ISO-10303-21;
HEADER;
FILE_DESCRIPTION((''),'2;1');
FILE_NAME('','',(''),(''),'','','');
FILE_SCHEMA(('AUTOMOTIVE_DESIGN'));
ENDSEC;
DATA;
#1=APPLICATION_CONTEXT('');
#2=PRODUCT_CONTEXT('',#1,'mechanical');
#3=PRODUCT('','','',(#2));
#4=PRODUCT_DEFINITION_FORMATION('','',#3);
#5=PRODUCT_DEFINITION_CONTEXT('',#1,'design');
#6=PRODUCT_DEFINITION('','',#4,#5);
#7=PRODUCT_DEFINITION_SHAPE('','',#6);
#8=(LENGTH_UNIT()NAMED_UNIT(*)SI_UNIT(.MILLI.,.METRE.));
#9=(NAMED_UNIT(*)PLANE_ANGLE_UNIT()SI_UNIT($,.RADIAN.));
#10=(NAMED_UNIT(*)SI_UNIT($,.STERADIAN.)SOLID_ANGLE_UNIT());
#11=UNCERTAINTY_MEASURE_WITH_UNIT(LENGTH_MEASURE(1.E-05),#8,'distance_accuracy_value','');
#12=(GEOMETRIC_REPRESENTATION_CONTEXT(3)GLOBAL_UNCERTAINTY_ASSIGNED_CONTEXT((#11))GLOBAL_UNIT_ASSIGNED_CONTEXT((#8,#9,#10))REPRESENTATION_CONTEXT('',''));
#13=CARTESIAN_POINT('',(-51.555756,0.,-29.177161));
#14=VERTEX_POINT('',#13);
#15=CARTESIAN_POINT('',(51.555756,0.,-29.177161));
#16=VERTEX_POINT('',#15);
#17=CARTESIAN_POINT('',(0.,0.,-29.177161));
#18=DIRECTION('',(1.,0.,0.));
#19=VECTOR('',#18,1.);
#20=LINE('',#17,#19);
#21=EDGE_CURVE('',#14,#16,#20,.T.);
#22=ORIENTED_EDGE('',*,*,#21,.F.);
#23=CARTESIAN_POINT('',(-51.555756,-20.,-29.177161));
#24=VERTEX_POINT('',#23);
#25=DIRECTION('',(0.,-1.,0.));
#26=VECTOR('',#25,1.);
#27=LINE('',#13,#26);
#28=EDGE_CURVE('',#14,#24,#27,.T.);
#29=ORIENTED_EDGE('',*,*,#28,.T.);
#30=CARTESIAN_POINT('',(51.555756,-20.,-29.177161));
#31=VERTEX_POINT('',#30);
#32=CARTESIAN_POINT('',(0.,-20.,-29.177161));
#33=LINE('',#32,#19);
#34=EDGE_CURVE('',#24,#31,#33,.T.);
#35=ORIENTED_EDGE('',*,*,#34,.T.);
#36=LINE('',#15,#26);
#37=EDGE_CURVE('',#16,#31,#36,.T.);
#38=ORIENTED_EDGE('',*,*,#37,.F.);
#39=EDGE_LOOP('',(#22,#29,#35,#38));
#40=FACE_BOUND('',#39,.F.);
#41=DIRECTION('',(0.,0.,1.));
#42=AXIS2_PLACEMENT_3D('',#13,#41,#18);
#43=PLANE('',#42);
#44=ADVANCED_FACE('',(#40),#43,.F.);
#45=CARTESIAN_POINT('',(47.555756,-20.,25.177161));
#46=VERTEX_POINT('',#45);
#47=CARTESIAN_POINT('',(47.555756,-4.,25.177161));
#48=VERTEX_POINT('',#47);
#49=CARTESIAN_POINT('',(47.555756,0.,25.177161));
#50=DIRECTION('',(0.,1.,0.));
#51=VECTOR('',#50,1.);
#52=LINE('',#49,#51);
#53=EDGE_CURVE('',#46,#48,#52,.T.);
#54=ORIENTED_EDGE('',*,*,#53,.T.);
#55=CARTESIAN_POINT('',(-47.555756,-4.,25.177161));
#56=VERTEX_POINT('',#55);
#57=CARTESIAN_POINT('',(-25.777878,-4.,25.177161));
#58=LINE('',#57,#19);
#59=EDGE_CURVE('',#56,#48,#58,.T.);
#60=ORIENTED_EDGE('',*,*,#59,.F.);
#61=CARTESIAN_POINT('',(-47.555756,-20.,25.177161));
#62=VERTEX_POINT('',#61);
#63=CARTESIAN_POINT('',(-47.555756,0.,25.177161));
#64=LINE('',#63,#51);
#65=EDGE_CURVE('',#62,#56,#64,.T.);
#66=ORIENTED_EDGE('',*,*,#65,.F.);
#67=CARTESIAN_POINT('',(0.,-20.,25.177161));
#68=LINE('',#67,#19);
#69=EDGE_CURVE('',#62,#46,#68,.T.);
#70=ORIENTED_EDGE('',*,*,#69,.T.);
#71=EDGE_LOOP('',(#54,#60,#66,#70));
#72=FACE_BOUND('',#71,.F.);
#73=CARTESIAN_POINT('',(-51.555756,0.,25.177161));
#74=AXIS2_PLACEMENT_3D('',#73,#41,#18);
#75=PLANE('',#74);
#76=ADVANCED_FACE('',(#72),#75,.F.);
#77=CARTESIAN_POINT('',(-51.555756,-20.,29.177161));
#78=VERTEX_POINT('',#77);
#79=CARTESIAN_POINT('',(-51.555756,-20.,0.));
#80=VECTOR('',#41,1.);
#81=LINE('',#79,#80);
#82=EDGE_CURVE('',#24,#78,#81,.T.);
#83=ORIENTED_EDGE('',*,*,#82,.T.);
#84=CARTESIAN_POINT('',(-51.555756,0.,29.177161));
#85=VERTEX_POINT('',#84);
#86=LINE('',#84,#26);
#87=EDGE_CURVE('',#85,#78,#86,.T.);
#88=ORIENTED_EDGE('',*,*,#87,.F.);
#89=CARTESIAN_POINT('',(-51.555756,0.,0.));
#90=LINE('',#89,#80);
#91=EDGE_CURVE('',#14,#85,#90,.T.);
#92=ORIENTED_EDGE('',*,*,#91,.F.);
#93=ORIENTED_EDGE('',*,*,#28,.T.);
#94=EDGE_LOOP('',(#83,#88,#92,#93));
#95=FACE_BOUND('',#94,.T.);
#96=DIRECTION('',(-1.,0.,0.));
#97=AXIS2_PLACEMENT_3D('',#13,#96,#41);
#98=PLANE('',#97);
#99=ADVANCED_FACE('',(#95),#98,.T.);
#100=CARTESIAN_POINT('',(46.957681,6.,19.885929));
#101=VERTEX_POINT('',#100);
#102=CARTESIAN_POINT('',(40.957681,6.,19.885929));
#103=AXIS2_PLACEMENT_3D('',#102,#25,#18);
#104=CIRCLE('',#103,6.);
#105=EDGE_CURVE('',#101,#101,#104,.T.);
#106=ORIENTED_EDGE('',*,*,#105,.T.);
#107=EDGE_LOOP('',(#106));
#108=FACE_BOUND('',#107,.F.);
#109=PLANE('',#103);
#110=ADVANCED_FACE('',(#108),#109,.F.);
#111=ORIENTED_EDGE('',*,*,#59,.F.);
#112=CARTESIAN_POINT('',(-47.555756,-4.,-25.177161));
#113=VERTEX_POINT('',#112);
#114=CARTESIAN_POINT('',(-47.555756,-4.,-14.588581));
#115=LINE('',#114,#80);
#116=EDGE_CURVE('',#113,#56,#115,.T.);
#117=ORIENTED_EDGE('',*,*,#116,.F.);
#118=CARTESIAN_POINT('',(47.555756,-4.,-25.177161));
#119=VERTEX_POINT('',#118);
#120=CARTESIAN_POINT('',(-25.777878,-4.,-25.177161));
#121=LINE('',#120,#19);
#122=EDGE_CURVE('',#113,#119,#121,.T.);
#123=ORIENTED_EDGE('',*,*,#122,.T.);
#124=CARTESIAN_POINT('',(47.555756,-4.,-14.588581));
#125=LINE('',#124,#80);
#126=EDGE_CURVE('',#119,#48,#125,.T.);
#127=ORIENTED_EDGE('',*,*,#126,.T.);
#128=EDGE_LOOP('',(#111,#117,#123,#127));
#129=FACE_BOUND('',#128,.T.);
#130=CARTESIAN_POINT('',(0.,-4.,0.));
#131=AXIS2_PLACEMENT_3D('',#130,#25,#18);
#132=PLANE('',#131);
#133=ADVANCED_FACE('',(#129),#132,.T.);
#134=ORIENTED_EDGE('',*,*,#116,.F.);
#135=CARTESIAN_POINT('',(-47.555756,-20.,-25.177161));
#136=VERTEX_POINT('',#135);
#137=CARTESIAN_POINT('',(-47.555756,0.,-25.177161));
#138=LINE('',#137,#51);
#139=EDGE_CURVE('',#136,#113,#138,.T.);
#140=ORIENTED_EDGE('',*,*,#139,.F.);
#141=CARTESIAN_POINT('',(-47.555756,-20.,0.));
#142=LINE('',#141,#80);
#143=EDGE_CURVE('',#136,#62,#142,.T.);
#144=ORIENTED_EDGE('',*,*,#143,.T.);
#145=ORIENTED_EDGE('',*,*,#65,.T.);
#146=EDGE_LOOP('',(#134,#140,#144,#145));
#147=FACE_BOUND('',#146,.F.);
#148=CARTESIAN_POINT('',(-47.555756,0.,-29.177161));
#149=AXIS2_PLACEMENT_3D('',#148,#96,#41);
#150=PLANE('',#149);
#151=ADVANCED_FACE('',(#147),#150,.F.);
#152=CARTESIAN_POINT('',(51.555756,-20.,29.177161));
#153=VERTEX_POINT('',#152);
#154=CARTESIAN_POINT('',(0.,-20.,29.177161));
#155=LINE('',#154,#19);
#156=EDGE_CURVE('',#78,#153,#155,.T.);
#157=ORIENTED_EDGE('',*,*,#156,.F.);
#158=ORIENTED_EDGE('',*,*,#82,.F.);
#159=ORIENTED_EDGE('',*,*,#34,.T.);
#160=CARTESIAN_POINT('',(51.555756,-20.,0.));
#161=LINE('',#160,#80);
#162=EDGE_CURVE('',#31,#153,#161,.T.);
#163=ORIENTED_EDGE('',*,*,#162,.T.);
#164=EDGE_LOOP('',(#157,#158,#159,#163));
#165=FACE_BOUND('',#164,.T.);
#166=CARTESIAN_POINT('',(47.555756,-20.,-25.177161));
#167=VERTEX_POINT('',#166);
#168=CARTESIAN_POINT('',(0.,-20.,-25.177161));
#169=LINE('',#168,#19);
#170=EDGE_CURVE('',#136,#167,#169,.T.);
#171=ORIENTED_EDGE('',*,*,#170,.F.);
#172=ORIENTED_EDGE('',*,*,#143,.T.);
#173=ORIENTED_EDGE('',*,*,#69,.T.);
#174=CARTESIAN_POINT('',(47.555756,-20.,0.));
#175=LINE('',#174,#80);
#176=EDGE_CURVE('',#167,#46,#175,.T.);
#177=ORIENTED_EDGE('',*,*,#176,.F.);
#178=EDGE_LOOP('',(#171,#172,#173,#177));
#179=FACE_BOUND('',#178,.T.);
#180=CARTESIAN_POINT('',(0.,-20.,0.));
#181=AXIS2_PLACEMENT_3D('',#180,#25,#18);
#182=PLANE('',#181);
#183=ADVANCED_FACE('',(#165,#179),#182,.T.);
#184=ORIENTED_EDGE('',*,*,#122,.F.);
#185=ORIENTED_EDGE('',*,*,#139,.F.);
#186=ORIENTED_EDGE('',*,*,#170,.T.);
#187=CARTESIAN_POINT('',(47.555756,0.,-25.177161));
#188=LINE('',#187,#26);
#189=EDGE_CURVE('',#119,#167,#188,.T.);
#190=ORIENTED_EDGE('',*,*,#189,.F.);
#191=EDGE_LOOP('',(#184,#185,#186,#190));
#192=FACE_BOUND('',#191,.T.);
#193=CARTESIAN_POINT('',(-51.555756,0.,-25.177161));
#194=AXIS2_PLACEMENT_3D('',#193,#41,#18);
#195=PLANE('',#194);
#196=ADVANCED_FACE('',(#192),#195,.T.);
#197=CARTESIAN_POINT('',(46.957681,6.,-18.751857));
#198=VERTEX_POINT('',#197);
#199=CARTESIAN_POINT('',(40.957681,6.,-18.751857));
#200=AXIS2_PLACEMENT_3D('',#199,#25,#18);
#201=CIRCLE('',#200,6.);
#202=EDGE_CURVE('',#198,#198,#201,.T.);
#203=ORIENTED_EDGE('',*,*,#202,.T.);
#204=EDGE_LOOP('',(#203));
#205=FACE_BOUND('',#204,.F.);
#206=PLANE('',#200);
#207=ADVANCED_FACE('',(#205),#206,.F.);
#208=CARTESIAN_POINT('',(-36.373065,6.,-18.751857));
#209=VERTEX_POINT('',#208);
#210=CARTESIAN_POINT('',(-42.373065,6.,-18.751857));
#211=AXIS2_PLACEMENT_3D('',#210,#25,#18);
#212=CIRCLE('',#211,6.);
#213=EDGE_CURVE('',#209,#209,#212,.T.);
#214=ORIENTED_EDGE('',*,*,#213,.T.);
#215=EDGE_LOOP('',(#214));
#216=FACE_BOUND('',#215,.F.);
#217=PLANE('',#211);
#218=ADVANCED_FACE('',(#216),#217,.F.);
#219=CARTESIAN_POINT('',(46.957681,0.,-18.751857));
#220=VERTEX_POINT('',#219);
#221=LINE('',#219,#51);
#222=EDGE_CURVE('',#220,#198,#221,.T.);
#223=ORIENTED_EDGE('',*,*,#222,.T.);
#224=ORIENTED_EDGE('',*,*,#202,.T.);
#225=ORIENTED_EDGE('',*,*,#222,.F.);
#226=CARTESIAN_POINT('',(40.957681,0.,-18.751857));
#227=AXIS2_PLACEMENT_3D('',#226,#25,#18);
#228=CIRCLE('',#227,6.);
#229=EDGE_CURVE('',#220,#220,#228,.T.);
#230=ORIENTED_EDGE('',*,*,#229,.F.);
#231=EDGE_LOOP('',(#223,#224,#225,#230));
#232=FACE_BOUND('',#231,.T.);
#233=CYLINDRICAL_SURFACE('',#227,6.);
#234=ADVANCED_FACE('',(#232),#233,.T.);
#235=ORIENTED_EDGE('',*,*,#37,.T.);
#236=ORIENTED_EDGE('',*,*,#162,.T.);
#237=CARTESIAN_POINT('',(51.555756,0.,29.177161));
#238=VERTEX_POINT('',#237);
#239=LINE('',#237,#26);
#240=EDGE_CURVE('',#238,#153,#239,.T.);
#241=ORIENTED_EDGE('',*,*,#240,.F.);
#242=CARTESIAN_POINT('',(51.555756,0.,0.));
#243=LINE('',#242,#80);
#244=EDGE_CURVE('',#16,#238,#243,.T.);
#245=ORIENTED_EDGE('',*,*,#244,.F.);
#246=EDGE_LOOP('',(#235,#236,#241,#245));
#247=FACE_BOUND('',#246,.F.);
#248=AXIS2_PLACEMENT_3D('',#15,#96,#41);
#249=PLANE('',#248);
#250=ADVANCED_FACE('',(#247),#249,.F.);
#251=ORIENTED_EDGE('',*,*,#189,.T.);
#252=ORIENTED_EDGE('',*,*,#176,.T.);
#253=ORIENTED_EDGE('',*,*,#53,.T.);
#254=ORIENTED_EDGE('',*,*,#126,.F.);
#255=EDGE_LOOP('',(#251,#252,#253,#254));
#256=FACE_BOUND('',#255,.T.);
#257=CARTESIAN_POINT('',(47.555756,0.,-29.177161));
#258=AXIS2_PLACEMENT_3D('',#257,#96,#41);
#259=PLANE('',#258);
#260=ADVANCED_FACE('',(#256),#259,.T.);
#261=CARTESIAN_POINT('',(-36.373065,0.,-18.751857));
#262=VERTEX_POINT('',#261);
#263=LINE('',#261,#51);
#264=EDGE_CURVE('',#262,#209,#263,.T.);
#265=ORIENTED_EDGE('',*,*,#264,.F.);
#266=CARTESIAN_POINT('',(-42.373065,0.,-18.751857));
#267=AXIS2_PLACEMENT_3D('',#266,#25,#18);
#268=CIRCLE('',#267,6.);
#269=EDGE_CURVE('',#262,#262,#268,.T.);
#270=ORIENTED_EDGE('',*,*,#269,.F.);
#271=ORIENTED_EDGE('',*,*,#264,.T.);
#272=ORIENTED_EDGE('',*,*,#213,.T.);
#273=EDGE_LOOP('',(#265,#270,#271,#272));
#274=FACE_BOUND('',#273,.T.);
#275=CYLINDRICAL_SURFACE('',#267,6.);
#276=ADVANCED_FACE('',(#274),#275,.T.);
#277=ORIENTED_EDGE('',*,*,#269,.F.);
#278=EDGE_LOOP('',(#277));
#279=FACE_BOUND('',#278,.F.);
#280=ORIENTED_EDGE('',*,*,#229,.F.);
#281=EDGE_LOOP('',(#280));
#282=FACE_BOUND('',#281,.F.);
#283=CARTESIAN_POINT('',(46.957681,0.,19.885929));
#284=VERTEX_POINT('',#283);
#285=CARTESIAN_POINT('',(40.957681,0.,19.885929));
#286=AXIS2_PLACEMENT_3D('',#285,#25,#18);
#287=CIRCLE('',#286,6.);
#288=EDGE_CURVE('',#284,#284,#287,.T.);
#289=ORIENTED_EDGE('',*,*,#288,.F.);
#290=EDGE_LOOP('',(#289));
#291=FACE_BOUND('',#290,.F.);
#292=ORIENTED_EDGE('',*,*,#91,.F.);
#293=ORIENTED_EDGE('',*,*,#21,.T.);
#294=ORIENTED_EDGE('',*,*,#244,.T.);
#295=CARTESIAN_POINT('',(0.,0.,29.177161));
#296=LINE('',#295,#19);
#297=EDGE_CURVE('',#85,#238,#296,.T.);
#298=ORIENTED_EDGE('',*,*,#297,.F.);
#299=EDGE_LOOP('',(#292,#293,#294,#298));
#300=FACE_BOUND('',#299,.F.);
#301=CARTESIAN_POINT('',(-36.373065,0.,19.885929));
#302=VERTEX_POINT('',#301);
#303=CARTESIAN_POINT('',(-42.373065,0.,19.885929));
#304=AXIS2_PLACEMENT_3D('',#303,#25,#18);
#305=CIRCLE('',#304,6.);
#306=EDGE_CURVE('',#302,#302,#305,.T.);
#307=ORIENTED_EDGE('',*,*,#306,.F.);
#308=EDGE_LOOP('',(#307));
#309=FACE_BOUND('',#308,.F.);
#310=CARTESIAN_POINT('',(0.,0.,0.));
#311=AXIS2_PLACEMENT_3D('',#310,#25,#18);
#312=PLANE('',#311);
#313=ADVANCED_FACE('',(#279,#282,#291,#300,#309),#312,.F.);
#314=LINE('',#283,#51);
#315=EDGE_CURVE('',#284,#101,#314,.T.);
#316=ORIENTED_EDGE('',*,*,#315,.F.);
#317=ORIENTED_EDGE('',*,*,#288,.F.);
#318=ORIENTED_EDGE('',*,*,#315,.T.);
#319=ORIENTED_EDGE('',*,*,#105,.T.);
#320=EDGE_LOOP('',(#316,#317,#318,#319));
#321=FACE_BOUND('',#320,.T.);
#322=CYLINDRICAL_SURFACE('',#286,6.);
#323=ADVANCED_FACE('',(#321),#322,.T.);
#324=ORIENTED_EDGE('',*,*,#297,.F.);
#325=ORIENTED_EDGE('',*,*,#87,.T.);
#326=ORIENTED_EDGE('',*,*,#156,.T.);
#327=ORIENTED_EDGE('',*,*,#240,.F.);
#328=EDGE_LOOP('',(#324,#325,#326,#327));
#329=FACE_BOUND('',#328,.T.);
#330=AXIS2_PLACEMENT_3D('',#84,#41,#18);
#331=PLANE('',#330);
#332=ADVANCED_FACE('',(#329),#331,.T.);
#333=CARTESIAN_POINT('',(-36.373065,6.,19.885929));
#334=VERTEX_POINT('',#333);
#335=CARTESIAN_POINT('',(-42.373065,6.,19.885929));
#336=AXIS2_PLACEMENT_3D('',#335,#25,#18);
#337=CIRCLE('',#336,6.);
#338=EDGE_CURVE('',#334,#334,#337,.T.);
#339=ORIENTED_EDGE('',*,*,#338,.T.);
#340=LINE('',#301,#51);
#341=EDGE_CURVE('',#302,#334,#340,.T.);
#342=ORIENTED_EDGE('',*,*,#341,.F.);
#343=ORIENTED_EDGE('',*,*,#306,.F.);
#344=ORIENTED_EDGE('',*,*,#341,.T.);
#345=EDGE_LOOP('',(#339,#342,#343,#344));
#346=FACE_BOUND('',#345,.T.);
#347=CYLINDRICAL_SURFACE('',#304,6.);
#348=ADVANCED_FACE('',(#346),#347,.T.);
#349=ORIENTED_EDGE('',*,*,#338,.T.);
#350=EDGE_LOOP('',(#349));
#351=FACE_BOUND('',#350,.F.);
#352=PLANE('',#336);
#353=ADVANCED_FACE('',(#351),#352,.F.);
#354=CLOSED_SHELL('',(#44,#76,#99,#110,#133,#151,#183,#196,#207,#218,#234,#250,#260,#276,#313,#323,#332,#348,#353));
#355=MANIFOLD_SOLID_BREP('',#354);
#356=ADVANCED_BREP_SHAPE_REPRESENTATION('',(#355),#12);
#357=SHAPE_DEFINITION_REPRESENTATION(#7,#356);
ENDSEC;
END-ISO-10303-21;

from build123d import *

# Parameters (mm, degrees)
F0_W     = 103.111512
F0_H     = 58.354322
F1_DEPTH = 20
F2_T     = -4
F3_R     = 6
F4_DEPTH = 6


with BuildPart() as f1:
    # F0 (on Front) → F1 (new body)
    with BuildSketch(Plane.XZ):
        Rectangle(F0_W, F0_H)
    extrude(amount=F1_DEPTH)

    # F2
    f2_openings = [f1.faces().sort_by_distance(p)[0] for p in [
        (0, -20, 0),
    ]]
    offset(amount=F2_T, openings=f2_openings)

    # F3 (on Front) → F4 (join)
    with BuildSketch(Plane.XZ):
        with Locations((-42.373065, -18.751857)):
            Circle(F3_R)
        with Locations((40.957681, -18.751857)):
            Circle(F3_R)
        with Locations((40.957681, 19.885929)):
            Circle(F3_R)
        with Locations((-42.373065, 19.885929)):
            Circle(F3_R)
    extrude(amount=-F4_DEPTH)


solid = f1.part
